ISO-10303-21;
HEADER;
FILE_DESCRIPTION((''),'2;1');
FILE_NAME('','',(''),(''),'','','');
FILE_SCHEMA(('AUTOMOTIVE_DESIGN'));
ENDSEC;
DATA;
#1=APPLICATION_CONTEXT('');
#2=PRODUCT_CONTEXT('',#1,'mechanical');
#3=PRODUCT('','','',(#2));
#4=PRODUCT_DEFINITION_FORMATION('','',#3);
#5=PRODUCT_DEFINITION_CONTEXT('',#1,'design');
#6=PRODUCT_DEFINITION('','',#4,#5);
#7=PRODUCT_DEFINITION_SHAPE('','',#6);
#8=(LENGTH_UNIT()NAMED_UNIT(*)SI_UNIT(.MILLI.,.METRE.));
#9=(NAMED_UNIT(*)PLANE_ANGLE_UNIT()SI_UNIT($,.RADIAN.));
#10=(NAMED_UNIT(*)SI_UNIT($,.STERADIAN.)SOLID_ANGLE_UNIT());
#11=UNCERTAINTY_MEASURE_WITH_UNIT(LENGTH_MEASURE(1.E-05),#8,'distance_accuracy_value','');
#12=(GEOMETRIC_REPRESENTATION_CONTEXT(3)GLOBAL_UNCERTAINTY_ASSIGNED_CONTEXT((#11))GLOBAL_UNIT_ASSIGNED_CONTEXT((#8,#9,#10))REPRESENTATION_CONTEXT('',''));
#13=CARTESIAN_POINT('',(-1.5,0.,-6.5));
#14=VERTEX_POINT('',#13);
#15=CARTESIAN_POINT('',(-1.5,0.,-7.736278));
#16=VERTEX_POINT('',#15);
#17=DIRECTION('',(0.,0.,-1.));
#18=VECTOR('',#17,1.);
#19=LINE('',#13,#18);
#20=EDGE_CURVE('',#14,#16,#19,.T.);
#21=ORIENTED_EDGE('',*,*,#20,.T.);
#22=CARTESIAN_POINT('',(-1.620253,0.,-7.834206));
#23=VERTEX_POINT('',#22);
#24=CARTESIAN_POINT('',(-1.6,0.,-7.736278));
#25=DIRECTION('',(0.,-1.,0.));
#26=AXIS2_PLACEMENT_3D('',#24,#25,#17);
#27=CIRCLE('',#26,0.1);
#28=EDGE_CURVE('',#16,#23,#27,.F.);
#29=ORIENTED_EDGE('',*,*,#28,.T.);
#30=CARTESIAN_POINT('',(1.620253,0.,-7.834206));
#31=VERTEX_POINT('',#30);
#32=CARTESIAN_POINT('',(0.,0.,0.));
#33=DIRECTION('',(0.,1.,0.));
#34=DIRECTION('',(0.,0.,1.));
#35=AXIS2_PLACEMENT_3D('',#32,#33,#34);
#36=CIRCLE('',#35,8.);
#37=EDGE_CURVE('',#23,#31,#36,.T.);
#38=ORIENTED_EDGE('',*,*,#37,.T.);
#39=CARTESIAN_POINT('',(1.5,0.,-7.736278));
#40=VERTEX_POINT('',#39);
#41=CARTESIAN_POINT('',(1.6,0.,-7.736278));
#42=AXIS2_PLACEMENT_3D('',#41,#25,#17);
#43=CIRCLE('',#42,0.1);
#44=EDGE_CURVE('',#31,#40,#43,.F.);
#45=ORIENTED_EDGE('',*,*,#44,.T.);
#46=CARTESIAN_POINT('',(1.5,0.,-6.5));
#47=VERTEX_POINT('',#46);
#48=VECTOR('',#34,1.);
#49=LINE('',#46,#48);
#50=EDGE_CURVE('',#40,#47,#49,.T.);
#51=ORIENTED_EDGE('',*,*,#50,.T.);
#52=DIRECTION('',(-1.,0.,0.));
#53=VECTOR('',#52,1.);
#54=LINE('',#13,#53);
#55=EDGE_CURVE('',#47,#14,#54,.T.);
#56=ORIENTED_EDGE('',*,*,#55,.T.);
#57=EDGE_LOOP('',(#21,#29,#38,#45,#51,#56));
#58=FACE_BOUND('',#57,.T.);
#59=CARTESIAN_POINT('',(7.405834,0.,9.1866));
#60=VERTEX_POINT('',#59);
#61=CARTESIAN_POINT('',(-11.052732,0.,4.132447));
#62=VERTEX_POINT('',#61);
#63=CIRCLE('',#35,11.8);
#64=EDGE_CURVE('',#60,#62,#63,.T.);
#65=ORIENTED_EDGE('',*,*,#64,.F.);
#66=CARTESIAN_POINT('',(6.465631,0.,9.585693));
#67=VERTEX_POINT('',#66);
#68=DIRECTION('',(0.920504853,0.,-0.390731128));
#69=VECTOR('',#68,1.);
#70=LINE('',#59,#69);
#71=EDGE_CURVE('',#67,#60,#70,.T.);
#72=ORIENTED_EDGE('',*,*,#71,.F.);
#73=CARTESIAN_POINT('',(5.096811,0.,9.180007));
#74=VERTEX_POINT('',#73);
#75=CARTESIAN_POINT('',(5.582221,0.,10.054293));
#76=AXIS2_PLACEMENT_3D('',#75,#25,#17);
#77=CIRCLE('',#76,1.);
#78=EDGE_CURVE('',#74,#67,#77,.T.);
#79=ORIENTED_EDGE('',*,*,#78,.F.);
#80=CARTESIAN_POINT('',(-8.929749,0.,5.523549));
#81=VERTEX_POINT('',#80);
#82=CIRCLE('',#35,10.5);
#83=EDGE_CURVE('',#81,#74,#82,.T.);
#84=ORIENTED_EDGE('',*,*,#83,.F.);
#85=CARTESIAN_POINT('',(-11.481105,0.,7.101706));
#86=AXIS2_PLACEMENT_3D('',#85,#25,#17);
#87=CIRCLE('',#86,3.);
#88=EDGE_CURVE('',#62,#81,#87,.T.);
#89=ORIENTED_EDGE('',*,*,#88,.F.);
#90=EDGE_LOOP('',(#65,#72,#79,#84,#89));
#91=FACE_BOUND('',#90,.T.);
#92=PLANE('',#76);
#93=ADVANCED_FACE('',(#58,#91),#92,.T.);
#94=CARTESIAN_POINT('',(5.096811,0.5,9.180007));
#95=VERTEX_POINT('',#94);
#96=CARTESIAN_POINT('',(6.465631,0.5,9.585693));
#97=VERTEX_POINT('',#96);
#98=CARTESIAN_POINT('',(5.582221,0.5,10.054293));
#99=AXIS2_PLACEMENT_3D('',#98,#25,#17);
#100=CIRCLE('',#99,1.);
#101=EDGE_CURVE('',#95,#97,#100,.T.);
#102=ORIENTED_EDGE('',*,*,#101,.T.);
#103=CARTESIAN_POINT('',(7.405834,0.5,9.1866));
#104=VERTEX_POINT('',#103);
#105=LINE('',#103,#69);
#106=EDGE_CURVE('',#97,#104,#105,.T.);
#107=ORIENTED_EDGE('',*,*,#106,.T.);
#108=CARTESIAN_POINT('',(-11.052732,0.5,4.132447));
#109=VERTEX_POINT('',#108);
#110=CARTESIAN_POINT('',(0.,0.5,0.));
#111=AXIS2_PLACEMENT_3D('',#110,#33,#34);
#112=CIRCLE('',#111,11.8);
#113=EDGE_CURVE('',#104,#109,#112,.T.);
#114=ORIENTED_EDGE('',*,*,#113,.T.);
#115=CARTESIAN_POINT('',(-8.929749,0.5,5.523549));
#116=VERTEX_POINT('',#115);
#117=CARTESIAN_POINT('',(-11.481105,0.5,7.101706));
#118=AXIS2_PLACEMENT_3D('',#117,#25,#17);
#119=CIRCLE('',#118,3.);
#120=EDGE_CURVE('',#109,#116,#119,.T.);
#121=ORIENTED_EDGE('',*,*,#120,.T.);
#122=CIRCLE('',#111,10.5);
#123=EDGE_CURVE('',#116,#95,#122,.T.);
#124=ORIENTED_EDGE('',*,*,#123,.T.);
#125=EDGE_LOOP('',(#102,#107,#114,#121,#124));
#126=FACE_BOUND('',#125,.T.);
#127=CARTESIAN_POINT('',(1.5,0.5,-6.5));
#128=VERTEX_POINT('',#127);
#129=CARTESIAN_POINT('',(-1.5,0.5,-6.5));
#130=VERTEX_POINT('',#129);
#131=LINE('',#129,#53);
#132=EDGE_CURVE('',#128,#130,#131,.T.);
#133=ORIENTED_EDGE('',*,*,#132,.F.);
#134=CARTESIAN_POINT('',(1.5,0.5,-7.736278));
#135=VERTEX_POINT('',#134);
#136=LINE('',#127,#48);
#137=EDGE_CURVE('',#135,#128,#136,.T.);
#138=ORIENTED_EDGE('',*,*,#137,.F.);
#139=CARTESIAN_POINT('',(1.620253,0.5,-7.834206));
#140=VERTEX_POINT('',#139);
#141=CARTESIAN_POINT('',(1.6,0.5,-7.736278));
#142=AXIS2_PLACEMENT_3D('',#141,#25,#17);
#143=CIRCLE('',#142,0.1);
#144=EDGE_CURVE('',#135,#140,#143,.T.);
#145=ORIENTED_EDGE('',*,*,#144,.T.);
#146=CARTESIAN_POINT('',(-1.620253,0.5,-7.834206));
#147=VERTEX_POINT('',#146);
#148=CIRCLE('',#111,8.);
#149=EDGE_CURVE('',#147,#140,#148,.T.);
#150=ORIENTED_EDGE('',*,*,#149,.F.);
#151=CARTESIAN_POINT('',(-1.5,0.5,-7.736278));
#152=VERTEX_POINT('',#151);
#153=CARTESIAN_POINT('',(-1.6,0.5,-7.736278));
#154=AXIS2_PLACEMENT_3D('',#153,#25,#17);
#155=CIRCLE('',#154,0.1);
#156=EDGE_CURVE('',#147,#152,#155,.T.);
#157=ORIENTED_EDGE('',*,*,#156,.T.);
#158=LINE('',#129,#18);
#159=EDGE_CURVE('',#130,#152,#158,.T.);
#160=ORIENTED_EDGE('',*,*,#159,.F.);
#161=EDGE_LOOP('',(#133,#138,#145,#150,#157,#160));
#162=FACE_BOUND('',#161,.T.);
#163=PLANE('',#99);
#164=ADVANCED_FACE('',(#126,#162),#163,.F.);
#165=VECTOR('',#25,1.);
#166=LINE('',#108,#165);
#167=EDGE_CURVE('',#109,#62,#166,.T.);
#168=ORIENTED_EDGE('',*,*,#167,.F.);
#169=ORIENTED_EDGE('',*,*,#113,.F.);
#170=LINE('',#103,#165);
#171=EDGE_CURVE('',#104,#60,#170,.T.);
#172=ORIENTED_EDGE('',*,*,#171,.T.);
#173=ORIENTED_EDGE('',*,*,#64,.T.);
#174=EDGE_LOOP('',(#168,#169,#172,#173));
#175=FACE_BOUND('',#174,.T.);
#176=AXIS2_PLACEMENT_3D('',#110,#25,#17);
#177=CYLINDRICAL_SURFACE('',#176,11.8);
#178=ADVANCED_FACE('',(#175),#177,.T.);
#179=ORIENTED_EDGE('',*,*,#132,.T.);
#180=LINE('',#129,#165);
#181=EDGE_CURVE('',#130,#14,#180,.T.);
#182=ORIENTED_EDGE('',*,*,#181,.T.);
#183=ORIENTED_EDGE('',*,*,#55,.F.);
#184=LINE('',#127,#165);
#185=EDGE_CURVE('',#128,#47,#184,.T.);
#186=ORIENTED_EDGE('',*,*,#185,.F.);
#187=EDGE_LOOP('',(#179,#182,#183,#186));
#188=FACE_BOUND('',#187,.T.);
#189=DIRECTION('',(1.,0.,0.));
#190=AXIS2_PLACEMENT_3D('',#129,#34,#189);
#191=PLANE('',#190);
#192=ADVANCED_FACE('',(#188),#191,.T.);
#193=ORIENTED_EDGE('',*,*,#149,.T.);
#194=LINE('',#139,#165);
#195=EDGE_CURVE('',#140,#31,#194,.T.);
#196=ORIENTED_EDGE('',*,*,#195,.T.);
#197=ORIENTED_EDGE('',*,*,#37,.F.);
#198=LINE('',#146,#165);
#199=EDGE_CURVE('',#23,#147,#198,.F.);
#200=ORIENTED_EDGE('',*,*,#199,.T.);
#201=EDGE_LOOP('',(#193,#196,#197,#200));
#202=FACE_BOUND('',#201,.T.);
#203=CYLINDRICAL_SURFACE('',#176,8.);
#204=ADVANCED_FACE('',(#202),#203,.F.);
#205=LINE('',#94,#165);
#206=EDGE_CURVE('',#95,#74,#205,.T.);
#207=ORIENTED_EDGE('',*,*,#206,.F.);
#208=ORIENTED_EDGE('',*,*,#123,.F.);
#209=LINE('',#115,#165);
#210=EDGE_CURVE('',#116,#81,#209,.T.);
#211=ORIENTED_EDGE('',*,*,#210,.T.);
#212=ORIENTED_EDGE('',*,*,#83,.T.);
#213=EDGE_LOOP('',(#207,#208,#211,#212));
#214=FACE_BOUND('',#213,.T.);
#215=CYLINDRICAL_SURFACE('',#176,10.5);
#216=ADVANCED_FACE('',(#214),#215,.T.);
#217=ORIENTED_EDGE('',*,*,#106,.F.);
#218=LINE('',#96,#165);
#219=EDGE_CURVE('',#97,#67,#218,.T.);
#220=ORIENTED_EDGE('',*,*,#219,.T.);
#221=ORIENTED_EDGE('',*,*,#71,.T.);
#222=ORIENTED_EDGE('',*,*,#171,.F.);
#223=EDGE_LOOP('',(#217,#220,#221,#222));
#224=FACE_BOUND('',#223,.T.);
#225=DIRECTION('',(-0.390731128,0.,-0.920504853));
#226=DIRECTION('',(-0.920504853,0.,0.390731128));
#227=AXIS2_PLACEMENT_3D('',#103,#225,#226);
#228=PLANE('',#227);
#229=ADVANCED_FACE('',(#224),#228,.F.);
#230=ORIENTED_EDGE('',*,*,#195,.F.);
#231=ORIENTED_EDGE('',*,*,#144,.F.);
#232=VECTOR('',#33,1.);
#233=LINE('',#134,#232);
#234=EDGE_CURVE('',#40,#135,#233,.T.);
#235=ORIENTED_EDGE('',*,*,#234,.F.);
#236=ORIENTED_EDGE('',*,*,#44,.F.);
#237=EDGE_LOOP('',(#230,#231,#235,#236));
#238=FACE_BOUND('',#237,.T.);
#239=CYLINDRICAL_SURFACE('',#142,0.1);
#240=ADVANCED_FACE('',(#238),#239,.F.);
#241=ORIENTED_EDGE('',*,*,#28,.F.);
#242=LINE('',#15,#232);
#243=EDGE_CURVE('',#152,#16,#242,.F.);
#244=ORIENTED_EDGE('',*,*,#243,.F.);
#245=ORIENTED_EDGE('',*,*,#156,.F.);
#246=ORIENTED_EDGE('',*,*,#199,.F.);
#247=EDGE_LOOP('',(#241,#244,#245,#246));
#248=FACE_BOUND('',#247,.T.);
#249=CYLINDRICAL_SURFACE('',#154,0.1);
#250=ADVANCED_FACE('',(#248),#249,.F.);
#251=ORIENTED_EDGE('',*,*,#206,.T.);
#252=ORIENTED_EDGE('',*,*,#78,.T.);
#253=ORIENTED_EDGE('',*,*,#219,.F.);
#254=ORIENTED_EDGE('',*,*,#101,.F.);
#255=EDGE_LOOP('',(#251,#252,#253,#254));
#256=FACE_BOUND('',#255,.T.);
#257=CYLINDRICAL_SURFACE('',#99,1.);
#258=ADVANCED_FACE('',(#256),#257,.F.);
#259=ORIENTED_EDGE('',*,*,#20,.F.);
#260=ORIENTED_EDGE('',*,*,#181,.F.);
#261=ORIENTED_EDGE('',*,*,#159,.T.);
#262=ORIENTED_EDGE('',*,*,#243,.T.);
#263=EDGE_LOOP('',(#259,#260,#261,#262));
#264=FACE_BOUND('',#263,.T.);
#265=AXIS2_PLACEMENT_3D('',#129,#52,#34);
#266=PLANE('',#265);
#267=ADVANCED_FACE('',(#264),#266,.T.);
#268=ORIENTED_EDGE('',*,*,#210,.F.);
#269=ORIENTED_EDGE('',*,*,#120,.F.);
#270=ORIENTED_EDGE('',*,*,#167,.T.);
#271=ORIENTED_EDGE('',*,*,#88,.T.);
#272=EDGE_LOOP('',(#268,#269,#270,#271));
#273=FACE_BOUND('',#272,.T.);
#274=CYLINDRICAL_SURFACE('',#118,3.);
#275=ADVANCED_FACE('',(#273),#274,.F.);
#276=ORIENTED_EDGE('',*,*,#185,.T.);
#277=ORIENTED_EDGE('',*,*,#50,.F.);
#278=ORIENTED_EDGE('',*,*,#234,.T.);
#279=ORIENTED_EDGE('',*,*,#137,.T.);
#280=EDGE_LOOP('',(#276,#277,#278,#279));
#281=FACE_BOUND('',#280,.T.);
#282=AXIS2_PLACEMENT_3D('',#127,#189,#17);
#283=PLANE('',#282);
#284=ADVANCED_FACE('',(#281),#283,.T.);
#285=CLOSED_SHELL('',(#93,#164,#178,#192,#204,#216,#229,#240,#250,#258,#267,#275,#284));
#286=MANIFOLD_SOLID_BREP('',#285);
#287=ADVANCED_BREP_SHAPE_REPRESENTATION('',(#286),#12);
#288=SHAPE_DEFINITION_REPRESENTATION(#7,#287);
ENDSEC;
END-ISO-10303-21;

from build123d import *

# Parameters (mm, degrees)
BOSS_EXTRUDE1_DEPTH = 0.5
FILLET1_R           = 0.1


with BuildPart() as part:
    # Sketch1 → Boss-Extrude1 (new body)
    with BuildSketch(Plane(origin=(0, 0, 0), x_dir=(1, 0, 0), z_dir=(0, 1, 0))):
        with BuildLine():
            Line((7.405833782, -9.18660035), (6.465631312, -9.585692621))
            ThreePointArc((6.465631312, -9.585692621), (5.866379853, -9.095515782), (5.096810535, -9.180006665))
            ThreePointArc((5.096810535, -9.180006665), (-2.64863632, -10.160449087), (-8.929748506, -5.523548825))
            ThreePointArc((-8.929748506, -5.523548825), (-9.83687626, -4.59242065), (-11.052731833, -4.132447099))
            ThreePointArc((-11.052731833, -4.132447099), (3.116261, 11.381077163), (7.405833782, -9.18660035))
        make_face()
        with BuildLine():
            Line((-1.5, 6.5), (1.5, 6.5))
            Line((1.5, 6.5), (1.5, 7.858116823))
            ThreePointArc((1.5, 7.858116823), (0, -8), (-1.5, 7.858116823))
            Line((-1.5, 7.858116823), (-1.5, 6.5))
        make_face(mode=Mode.SUBTRACT)
    extrude(amount=BOSS_EXTRUDE1_DEPTH)

    # Fillet1
    fillet1_edges = [part.edges().sort_by_distance(p)[0] for p in [
        (-1.5, 0.25, -7.858116823),
        (1.5, 0.25, -7.858116823),
    ]]
    fillet(fillet1_edges, radius=FILLET1_R)


solid = part.part
